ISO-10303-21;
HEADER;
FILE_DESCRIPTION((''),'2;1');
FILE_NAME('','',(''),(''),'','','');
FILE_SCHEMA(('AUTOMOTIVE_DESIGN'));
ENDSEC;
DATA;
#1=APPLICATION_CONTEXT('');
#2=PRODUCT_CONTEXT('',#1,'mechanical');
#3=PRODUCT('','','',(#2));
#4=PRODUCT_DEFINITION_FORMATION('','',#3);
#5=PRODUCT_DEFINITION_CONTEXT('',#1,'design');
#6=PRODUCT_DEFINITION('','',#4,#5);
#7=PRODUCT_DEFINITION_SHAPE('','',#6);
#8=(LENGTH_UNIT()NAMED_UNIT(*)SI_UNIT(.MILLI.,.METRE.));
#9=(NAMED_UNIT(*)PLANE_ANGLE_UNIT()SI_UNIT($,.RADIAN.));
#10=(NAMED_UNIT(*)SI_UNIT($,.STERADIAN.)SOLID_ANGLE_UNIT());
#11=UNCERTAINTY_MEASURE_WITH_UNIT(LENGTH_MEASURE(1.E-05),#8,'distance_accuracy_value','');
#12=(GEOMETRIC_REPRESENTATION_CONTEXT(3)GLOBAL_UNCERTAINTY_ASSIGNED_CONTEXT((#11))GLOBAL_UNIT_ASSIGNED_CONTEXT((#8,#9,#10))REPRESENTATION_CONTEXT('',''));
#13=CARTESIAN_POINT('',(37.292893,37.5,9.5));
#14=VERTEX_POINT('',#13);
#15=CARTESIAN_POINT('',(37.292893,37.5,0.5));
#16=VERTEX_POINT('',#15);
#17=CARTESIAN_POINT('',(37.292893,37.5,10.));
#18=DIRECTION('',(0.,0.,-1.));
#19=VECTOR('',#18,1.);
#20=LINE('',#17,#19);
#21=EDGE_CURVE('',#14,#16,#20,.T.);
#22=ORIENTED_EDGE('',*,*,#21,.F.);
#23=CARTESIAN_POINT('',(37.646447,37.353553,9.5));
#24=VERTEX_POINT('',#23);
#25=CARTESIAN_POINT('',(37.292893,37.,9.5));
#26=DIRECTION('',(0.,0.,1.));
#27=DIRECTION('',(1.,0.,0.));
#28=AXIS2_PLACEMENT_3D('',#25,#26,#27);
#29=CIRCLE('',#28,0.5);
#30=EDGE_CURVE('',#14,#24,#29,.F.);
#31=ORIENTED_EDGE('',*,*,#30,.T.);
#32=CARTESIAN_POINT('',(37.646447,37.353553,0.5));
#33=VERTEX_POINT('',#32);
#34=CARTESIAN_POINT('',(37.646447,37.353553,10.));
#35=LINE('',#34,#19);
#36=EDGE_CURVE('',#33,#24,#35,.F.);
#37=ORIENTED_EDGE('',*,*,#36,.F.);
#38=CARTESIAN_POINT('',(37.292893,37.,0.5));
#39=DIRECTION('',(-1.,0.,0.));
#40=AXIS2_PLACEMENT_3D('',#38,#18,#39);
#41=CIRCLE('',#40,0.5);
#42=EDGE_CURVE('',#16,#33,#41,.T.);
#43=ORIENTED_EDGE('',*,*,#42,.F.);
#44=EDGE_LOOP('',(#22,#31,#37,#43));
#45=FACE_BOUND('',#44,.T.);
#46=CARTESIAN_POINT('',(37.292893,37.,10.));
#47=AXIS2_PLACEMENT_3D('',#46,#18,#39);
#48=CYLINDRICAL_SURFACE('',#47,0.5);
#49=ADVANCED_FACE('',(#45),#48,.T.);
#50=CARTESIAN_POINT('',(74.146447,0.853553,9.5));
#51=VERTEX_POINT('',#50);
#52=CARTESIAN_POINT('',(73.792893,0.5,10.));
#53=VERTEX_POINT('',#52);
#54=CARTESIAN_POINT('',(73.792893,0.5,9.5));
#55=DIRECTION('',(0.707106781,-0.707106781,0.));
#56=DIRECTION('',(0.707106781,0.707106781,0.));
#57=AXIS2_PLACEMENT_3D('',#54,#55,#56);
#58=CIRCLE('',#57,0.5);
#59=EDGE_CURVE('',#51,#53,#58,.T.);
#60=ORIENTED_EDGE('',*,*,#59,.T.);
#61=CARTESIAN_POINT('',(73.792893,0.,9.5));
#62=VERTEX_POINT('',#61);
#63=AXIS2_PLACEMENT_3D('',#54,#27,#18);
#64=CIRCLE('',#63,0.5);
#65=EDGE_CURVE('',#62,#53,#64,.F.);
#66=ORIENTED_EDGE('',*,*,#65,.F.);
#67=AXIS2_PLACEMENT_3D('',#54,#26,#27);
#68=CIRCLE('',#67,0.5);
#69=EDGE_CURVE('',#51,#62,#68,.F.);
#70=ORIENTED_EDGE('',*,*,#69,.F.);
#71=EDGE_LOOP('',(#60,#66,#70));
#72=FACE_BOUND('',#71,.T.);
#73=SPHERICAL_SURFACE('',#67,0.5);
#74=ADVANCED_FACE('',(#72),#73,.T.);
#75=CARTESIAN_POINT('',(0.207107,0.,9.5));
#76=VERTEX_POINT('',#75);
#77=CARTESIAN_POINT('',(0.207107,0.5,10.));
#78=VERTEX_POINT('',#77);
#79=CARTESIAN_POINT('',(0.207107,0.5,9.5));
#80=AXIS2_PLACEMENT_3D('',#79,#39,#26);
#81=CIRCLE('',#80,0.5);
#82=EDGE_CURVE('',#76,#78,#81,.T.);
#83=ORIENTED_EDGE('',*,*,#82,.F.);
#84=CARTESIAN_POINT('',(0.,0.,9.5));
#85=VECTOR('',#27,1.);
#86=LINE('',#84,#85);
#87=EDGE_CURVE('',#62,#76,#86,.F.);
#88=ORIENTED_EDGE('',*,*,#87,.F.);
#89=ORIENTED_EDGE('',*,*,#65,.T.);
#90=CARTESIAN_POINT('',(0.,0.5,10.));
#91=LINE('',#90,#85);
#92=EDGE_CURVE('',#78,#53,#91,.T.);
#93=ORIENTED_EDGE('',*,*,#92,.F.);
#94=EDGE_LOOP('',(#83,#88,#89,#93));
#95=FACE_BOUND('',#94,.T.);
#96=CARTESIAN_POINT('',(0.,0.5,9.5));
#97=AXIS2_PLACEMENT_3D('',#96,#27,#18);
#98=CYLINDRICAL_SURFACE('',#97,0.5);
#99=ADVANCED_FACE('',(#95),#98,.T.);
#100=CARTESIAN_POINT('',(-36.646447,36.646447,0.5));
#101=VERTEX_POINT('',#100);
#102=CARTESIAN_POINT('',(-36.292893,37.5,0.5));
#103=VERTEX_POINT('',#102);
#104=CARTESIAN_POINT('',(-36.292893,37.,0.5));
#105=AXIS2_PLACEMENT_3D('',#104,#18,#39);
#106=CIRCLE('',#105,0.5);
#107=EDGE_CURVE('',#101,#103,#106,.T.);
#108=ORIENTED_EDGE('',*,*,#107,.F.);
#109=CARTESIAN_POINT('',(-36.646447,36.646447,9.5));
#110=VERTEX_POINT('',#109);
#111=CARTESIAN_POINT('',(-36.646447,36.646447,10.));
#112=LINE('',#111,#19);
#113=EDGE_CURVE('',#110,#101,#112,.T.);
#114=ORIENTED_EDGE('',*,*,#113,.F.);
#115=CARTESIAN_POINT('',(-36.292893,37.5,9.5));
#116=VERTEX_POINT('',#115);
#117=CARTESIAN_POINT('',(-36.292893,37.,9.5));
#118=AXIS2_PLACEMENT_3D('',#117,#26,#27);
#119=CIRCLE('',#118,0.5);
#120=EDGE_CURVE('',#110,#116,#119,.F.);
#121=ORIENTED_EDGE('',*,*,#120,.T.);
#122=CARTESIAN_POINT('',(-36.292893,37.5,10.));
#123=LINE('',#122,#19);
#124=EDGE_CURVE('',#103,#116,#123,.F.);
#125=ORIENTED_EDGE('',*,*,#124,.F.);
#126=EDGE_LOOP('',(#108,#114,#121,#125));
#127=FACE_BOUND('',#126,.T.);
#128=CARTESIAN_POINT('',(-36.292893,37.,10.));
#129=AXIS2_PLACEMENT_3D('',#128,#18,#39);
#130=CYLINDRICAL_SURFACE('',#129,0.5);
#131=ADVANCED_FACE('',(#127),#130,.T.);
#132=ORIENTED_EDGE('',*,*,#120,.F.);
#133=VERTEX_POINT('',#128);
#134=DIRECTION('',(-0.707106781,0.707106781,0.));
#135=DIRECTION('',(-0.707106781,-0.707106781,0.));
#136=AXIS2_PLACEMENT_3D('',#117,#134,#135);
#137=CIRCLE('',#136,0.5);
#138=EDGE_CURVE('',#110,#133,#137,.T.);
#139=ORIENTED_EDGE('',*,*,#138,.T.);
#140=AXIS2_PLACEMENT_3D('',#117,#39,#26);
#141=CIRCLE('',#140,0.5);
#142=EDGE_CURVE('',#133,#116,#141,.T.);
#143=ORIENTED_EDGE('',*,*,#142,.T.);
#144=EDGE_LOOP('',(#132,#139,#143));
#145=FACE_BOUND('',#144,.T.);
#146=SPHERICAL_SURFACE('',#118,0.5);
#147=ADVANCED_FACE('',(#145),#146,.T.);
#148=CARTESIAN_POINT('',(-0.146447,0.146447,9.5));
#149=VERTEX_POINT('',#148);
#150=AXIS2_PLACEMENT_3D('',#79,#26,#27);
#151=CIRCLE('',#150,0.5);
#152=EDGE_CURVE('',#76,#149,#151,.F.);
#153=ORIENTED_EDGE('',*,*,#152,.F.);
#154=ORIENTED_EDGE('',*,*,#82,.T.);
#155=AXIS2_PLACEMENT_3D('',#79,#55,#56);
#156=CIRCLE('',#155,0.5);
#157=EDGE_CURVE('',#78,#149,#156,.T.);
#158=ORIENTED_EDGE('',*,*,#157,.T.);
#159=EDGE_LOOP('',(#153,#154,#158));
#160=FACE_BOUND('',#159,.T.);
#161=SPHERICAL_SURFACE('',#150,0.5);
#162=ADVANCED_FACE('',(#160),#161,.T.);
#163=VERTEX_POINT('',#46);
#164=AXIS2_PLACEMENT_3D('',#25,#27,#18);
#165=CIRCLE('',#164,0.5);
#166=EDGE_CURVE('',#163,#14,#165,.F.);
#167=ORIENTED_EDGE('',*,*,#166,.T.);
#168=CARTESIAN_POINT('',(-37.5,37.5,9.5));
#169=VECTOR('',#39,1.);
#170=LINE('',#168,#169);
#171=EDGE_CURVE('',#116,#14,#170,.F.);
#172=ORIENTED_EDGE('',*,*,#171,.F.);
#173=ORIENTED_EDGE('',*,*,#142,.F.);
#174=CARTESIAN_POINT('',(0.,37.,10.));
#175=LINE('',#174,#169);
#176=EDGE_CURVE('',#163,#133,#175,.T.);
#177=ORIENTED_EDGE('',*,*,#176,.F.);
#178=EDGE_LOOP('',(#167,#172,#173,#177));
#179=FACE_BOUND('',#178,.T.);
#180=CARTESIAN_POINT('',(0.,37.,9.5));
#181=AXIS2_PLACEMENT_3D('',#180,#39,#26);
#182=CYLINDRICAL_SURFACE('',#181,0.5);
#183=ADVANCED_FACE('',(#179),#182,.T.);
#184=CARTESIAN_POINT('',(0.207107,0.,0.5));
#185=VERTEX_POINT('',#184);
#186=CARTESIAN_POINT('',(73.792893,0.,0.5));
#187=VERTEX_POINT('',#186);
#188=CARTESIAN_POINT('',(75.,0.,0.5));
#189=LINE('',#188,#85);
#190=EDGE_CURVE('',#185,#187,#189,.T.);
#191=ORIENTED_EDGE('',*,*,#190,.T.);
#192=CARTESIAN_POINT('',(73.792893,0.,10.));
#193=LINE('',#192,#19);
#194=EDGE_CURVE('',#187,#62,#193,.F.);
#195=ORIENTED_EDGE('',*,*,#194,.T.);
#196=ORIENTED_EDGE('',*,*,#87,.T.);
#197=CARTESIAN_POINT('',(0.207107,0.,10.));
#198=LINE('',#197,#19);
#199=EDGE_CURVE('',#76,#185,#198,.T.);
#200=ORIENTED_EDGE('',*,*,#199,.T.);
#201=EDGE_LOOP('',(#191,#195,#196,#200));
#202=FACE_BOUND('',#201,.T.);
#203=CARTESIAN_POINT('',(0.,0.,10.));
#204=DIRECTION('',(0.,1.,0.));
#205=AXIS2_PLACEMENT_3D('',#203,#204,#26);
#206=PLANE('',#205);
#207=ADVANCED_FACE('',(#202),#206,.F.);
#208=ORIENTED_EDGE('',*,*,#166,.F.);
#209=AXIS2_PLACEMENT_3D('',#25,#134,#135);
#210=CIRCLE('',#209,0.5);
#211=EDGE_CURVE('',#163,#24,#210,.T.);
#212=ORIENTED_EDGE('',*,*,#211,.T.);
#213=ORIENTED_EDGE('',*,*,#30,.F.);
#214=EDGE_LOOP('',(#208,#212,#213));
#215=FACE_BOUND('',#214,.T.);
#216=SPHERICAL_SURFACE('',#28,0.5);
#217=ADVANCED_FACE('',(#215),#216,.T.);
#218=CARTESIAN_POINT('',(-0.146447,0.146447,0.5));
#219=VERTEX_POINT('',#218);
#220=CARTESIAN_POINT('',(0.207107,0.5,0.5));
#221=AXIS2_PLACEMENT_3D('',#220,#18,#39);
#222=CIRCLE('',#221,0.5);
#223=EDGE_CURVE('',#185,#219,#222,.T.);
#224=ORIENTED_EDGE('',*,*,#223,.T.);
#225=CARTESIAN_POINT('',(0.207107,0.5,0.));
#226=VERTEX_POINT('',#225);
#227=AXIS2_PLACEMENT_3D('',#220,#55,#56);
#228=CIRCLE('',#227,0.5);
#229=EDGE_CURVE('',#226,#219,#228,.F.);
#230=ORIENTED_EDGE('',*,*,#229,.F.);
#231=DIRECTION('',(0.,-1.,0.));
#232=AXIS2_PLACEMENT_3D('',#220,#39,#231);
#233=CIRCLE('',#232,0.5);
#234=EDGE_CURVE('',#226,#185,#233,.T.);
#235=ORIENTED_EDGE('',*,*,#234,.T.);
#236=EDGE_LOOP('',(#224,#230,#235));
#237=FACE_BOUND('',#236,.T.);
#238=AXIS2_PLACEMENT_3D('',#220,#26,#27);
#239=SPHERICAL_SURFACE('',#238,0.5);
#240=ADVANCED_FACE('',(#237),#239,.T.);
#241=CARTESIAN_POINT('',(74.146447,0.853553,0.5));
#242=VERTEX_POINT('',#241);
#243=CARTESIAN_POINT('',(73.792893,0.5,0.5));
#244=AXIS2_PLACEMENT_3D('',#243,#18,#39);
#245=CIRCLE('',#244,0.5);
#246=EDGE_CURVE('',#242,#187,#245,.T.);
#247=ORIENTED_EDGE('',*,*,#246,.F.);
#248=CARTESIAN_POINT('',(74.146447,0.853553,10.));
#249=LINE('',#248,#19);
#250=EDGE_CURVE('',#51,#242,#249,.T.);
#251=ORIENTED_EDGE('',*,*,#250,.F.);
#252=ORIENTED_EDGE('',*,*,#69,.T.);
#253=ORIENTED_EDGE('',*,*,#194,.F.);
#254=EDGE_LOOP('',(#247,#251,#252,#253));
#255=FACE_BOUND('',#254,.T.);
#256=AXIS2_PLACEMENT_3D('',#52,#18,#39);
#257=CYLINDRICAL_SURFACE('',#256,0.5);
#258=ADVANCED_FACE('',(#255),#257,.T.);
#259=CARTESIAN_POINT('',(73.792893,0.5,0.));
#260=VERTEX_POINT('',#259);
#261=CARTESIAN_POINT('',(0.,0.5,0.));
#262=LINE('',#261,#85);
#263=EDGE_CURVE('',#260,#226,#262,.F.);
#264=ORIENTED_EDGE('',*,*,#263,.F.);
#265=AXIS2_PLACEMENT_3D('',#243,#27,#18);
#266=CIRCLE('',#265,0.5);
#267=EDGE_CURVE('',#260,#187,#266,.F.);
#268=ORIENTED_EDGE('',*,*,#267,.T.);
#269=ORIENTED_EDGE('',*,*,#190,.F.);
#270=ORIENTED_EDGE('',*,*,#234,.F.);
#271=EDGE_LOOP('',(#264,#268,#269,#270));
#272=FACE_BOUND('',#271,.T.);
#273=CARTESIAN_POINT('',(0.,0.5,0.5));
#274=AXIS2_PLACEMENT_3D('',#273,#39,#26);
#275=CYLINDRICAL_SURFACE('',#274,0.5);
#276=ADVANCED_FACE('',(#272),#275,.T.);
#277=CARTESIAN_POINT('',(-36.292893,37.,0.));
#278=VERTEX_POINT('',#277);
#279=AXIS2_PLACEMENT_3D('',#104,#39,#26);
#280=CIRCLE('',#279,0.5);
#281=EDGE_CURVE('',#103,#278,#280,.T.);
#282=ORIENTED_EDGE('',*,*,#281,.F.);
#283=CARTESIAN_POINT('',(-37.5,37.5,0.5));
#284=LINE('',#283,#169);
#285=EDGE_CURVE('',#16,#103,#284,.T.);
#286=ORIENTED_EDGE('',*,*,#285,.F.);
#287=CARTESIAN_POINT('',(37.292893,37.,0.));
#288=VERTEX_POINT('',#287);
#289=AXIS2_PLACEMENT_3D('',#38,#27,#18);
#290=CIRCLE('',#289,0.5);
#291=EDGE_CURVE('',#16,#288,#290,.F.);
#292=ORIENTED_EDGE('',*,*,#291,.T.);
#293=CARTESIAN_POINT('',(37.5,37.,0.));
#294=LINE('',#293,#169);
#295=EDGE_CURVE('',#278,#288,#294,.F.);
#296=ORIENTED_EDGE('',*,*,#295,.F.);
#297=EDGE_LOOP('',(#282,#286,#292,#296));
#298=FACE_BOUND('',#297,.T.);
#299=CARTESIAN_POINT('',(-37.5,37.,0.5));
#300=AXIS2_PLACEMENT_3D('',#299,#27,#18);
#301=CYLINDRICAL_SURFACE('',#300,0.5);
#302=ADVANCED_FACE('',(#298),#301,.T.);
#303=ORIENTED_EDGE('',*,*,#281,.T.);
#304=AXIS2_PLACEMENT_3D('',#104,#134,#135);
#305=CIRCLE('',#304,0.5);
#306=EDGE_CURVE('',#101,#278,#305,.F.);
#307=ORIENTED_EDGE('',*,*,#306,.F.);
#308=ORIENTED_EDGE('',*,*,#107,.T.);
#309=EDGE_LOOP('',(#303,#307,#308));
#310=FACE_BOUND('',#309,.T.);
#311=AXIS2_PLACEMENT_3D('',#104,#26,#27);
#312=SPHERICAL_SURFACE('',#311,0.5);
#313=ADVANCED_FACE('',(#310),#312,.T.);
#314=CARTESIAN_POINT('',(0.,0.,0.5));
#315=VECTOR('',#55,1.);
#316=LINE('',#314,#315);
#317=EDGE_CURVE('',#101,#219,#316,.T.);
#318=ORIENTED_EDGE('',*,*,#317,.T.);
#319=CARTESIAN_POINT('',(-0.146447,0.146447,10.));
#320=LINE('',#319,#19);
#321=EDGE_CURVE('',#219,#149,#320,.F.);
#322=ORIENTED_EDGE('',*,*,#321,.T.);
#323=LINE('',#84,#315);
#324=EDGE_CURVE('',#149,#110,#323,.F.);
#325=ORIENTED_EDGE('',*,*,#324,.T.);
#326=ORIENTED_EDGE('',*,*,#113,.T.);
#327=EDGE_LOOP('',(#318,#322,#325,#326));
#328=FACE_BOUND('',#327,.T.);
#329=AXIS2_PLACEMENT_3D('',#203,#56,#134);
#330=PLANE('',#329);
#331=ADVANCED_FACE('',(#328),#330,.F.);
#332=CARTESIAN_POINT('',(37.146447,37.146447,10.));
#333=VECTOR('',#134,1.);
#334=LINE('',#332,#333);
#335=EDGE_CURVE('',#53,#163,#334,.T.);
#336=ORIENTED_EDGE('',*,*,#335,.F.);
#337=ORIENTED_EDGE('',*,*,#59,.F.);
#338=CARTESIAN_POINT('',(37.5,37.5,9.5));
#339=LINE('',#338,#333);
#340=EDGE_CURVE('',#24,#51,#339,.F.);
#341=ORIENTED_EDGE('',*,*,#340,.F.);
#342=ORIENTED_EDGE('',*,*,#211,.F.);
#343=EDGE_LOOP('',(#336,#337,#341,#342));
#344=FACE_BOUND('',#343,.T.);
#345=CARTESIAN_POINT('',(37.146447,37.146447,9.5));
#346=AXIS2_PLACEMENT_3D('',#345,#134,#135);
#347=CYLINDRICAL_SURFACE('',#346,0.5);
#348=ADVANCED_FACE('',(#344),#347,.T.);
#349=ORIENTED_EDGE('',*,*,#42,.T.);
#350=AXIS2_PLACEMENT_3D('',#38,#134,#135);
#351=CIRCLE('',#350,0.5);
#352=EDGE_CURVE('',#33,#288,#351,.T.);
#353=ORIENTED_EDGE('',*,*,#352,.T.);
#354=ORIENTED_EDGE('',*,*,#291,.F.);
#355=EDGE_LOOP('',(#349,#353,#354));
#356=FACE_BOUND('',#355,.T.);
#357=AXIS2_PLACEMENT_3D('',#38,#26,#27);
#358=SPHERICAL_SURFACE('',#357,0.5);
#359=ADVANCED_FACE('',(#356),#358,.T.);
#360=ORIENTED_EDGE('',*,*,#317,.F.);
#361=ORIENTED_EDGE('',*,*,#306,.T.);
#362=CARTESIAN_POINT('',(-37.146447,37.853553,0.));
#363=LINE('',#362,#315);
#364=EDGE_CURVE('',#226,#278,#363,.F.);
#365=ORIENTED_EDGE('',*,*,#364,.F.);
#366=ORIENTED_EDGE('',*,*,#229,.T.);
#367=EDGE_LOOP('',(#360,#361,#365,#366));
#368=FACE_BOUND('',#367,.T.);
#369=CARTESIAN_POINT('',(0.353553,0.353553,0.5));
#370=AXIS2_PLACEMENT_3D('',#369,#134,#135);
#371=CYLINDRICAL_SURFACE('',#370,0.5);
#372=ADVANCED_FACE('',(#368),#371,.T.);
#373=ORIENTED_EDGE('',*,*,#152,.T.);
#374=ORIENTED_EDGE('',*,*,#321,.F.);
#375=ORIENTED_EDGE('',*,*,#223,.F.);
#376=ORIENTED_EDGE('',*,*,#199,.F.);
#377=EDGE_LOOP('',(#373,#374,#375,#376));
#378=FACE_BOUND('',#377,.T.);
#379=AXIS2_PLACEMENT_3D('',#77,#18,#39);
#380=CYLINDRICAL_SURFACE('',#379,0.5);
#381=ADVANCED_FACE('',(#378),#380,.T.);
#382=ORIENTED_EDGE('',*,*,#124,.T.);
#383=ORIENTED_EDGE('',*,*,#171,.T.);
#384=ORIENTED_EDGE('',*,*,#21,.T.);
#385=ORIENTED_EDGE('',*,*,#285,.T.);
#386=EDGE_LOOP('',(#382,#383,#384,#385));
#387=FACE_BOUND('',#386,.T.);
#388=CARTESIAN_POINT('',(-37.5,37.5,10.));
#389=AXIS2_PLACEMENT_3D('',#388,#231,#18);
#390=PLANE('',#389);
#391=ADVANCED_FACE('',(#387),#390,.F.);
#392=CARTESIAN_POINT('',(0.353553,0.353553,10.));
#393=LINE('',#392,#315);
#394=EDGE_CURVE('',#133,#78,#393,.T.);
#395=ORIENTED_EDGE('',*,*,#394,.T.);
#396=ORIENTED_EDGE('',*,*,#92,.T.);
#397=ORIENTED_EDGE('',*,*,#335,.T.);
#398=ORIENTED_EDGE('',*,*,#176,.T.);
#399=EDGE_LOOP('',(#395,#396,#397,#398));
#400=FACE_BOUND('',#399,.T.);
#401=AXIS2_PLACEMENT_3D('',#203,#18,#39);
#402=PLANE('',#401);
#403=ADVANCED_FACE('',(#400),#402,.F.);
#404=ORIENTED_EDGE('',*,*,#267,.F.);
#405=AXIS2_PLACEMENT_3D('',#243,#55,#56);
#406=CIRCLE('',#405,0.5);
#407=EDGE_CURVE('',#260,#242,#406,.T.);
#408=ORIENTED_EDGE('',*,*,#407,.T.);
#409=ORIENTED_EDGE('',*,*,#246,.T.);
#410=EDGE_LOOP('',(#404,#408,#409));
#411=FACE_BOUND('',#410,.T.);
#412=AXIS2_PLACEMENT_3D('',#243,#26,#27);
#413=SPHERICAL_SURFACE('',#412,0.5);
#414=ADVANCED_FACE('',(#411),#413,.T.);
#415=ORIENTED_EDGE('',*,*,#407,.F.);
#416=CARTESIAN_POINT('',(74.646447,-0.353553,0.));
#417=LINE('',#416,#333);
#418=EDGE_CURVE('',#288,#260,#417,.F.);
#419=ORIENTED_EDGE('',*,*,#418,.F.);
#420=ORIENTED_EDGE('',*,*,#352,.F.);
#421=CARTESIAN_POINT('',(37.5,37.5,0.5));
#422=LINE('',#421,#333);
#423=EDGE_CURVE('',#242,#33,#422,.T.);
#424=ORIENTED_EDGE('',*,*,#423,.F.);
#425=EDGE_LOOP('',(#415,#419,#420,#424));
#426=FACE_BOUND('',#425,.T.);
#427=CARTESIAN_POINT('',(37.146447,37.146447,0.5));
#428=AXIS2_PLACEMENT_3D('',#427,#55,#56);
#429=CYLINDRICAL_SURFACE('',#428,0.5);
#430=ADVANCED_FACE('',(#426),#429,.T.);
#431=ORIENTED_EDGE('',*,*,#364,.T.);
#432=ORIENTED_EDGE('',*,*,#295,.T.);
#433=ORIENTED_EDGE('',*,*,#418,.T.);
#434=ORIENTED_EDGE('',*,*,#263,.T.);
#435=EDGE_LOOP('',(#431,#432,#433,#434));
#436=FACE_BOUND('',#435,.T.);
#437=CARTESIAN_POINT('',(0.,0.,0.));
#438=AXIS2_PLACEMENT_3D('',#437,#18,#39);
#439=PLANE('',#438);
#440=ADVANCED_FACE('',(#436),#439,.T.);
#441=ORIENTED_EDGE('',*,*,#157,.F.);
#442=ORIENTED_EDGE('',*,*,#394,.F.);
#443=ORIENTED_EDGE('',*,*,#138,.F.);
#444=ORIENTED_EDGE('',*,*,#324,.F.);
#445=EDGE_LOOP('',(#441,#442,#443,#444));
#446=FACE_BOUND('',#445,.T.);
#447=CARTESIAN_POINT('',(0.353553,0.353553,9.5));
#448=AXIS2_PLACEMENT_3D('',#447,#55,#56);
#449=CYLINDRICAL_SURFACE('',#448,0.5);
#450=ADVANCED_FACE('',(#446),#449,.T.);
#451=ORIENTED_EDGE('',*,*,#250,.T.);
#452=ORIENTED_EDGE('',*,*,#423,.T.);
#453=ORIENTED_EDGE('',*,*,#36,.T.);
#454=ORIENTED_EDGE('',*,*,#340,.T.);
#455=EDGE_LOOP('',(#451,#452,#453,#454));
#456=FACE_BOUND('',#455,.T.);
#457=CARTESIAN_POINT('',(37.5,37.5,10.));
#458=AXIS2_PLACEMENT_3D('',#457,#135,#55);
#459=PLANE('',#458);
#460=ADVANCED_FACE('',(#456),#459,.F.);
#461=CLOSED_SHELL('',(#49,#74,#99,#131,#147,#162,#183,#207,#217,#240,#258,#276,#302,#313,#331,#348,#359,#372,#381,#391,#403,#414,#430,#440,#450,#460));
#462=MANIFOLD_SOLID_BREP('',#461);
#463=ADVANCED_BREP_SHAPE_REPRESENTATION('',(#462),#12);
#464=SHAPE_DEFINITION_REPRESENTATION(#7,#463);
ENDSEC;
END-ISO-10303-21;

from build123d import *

# Parameters (mm, degrees)
EXTRUDE_1_DEPTH = 10
FILLET_1_R      = 0.5


with BuildPart() as part:
    # 草图1 → 凸台-拉伸1 (new body)
    with BuildSketch(Plane.XY):
        Polygon((-37.5, 37.5), (37.5, 37.5), (75, 0), (0, 0), align=None)
    extrude(amount=EXTRUDE_1_DEPTH)

    # 圆角1
    fillet_1_edges = [part.edges().sort_by_distance(p)[0] for p in [
        (0, 37.5, 10),
        (-18.75, 18.75, 10),
        (37.5, 0, 10),
        (-18.75, 18.75, 0),
        (0, 37.5, 0),
        (56.25, 18.75, 0),
        (37.5, 0, 0),
        (56.25, 18.75, 10),
        (0, 0, 5),
        (-37.5, 37.5, 5),
        (37.5, 37.5, 5),
        (75, 0, 5),
    ]]
    fillet(fillet_1_edges, radius=FILLET_1_R)


solid = part.part
